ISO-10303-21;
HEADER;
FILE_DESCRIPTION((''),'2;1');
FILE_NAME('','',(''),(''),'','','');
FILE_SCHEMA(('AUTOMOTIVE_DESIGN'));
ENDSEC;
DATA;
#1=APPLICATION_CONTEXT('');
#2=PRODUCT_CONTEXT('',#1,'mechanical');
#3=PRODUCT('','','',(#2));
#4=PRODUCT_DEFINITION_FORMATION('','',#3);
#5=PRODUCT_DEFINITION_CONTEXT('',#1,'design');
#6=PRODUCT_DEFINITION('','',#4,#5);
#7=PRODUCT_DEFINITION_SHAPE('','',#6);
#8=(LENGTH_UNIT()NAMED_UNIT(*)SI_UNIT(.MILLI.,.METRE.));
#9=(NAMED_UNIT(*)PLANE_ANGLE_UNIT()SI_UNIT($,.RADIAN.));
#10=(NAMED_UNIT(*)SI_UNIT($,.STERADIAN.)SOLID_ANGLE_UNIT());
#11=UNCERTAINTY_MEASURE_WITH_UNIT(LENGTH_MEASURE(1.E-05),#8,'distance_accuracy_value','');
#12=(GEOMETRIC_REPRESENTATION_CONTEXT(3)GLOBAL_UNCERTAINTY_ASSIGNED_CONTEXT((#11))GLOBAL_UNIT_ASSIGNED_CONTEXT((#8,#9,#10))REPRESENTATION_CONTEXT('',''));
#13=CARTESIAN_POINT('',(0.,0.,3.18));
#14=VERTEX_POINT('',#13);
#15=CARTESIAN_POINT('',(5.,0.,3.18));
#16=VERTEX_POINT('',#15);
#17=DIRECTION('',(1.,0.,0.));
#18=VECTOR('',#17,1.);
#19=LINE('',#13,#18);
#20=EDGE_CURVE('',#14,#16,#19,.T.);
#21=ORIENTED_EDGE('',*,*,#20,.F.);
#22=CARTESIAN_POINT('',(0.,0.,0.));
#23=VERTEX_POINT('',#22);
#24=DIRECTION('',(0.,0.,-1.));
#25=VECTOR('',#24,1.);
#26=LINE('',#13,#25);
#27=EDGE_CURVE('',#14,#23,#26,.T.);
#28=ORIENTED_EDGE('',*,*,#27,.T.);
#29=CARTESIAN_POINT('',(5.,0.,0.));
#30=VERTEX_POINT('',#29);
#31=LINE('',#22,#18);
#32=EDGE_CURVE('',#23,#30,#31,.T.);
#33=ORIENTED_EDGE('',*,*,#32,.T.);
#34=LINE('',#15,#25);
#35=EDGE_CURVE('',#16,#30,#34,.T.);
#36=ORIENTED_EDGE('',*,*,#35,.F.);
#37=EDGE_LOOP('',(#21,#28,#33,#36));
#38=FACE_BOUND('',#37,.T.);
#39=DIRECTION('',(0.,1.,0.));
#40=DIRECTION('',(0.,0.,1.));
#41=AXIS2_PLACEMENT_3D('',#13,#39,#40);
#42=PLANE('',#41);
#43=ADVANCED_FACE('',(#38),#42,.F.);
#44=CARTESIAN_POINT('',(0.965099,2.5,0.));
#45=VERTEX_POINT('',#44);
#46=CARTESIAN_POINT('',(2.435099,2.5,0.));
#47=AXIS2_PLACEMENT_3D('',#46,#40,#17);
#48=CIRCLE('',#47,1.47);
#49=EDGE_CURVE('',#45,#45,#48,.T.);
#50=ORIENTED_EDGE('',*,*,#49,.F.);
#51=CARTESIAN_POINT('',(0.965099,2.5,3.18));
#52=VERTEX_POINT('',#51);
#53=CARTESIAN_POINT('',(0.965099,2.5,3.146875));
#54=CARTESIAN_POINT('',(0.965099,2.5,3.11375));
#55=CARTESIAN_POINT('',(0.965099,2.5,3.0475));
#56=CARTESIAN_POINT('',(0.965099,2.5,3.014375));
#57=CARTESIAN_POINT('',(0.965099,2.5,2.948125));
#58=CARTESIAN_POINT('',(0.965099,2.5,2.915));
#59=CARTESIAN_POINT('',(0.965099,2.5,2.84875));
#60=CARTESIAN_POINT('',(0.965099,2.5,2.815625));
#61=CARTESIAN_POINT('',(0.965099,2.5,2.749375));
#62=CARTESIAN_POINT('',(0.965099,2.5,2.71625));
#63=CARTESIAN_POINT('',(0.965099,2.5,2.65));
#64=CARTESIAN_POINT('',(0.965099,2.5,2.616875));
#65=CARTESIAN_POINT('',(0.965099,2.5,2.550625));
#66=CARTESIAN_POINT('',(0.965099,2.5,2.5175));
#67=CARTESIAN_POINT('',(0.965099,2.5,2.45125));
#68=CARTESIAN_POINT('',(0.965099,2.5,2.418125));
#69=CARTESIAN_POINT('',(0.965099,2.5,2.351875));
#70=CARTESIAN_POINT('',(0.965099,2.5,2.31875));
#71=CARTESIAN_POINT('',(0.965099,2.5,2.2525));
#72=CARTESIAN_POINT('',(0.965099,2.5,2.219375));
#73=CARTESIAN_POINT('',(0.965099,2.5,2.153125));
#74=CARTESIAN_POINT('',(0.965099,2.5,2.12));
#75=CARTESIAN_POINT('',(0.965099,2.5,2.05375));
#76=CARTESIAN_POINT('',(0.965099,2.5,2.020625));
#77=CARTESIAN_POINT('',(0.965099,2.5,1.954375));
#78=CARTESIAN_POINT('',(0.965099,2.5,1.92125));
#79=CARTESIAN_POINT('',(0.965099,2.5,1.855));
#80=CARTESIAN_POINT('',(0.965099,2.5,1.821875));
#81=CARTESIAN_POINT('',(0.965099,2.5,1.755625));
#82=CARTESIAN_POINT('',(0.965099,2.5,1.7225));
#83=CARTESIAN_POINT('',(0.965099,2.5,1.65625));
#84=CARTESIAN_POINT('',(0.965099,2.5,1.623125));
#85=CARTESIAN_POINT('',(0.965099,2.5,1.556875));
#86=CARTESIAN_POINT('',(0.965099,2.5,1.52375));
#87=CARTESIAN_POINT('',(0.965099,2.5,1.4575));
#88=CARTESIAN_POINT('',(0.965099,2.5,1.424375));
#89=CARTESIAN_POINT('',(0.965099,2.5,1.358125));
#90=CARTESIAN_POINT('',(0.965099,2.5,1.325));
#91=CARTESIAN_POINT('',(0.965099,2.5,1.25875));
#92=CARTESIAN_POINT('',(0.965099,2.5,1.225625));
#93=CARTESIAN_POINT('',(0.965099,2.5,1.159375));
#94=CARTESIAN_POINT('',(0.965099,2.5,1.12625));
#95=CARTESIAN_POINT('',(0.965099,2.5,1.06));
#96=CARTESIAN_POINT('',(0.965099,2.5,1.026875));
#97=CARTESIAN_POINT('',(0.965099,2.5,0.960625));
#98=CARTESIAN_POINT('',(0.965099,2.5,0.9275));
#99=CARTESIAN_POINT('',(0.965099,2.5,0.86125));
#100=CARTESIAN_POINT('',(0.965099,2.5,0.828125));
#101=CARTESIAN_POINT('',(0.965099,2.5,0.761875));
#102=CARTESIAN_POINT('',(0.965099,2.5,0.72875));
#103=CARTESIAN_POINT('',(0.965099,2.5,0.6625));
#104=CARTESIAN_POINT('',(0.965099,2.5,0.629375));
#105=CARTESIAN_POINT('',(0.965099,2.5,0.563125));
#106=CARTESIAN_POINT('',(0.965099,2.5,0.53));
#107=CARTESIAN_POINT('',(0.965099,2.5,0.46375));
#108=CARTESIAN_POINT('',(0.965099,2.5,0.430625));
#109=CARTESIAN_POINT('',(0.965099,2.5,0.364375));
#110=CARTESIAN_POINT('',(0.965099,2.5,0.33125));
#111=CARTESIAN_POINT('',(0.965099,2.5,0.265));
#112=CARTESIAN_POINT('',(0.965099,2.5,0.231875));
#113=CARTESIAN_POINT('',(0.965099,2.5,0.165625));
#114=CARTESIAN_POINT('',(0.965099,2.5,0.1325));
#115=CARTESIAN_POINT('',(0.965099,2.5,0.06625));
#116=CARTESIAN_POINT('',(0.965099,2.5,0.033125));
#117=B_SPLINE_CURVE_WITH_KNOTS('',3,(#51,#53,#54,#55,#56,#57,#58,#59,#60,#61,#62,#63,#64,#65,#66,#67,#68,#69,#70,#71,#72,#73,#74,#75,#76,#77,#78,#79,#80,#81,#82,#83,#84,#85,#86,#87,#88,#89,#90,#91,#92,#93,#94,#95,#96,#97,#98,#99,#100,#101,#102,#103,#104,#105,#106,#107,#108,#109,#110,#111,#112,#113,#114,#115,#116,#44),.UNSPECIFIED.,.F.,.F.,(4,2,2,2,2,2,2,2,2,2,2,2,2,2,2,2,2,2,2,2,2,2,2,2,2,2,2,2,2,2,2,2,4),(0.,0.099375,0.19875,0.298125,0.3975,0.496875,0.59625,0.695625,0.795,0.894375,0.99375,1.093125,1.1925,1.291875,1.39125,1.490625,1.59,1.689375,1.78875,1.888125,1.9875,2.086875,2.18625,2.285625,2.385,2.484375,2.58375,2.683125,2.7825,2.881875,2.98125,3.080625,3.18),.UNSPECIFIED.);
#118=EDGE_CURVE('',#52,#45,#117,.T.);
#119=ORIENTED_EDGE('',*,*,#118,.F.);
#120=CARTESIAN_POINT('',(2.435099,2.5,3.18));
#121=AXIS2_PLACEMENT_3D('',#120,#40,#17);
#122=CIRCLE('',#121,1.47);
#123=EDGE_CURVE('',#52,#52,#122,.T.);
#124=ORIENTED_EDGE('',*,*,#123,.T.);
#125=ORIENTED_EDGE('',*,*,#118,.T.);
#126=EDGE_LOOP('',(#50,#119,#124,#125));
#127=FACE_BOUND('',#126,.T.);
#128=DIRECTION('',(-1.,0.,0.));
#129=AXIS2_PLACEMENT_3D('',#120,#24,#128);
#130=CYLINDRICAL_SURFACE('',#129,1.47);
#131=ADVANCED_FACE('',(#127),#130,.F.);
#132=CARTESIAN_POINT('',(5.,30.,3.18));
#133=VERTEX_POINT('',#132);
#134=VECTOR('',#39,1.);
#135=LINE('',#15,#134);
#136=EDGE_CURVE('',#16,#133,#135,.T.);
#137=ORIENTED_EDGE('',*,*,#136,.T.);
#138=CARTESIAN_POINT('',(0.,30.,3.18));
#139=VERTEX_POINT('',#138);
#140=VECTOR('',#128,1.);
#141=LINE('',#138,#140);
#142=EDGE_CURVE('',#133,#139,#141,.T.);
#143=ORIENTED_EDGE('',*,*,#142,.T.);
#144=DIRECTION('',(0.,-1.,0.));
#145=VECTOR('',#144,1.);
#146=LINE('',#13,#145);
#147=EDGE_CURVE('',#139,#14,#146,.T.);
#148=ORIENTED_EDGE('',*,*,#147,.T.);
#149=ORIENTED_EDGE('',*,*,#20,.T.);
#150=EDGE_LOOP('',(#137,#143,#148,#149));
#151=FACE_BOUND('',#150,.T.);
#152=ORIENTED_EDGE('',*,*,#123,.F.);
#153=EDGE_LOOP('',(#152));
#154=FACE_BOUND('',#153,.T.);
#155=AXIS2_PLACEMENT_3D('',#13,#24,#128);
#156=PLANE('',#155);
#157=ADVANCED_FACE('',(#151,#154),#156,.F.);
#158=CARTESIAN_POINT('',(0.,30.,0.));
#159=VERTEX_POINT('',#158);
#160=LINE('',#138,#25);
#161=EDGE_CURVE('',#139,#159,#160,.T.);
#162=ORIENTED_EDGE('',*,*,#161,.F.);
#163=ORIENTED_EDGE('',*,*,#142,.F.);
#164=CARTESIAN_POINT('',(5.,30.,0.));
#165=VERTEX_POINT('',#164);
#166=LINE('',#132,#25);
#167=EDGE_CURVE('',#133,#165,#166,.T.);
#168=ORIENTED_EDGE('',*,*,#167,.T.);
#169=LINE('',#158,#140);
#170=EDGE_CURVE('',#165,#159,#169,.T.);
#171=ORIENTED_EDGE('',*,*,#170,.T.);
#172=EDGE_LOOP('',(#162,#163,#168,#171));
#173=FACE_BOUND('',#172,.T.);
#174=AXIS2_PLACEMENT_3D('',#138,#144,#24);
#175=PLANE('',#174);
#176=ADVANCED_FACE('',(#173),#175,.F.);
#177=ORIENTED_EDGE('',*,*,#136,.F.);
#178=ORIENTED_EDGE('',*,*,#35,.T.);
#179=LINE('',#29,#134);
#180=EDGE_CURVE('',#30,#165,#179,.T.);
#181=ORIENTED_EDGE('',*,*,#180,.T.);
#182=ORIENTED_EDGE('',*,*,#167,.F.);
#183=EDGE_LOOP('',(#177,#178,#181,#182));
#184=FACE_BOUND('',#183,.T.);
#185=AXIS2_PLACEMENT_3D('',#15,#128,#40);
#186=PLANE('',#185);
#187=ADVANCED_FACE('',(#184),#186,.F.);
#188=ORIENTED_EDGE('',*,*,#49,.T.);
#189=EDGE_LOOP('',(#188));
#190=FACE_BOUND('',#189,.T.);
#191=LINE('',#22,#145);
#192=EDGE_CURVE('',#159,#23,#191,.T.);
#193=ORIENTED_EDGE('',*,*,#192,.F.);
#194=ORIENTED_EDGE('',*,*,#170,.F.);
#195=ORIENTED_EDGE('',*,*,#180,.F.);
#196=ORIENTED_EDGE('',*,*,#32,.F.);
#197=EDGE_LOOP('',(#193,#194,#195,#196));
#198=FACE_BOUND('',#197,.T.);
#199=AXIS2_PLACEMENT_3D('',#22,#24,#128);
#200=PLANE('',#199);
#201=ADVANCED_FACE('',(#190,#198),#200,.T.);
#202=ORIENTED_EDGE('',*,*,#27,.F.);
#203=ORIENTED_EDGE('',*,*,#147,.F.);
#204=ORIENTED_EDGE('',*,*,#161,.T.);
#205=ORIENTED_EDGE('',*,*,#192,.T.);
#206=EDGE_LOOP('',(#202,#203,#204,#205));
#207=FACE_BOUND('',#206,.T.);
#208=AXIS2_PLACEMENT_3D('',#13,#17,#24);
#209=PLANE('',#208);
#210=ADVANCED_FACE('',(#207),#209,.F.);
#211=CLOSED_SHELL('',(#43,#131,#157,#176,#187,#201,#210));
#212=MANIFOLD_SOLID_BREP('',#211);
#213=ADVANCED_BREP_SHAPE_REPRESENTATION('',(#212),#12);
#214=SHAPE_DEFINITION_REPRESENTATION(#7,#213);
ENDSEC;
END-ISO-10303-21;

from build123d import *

# Parameters (mm, degrees)
SKETCH1_W           = 5
SKETCH1_H           = 30
SKETCH1_R           = 1.47
BOSS_EXTRUDE1_DEPTH = 3.18


with BuildPart() as part:
    # Sketch1 → Boss-Extrude1 (new body)
    with BuildSketch(Plane.XY):
        with Locations((2.5, 15)):
            Rectangle(SKETCH1_W, SKETCH1_H)
        with Locations(Location((2.43509933, 2.5, 0), (0, 0, 180))):
            Circle(SKETCH1_R, mode=Mode.SUBTRACT)
    extrude(amount=BOSS_EXTRUDE1_DEPTH)


solid = part.part
